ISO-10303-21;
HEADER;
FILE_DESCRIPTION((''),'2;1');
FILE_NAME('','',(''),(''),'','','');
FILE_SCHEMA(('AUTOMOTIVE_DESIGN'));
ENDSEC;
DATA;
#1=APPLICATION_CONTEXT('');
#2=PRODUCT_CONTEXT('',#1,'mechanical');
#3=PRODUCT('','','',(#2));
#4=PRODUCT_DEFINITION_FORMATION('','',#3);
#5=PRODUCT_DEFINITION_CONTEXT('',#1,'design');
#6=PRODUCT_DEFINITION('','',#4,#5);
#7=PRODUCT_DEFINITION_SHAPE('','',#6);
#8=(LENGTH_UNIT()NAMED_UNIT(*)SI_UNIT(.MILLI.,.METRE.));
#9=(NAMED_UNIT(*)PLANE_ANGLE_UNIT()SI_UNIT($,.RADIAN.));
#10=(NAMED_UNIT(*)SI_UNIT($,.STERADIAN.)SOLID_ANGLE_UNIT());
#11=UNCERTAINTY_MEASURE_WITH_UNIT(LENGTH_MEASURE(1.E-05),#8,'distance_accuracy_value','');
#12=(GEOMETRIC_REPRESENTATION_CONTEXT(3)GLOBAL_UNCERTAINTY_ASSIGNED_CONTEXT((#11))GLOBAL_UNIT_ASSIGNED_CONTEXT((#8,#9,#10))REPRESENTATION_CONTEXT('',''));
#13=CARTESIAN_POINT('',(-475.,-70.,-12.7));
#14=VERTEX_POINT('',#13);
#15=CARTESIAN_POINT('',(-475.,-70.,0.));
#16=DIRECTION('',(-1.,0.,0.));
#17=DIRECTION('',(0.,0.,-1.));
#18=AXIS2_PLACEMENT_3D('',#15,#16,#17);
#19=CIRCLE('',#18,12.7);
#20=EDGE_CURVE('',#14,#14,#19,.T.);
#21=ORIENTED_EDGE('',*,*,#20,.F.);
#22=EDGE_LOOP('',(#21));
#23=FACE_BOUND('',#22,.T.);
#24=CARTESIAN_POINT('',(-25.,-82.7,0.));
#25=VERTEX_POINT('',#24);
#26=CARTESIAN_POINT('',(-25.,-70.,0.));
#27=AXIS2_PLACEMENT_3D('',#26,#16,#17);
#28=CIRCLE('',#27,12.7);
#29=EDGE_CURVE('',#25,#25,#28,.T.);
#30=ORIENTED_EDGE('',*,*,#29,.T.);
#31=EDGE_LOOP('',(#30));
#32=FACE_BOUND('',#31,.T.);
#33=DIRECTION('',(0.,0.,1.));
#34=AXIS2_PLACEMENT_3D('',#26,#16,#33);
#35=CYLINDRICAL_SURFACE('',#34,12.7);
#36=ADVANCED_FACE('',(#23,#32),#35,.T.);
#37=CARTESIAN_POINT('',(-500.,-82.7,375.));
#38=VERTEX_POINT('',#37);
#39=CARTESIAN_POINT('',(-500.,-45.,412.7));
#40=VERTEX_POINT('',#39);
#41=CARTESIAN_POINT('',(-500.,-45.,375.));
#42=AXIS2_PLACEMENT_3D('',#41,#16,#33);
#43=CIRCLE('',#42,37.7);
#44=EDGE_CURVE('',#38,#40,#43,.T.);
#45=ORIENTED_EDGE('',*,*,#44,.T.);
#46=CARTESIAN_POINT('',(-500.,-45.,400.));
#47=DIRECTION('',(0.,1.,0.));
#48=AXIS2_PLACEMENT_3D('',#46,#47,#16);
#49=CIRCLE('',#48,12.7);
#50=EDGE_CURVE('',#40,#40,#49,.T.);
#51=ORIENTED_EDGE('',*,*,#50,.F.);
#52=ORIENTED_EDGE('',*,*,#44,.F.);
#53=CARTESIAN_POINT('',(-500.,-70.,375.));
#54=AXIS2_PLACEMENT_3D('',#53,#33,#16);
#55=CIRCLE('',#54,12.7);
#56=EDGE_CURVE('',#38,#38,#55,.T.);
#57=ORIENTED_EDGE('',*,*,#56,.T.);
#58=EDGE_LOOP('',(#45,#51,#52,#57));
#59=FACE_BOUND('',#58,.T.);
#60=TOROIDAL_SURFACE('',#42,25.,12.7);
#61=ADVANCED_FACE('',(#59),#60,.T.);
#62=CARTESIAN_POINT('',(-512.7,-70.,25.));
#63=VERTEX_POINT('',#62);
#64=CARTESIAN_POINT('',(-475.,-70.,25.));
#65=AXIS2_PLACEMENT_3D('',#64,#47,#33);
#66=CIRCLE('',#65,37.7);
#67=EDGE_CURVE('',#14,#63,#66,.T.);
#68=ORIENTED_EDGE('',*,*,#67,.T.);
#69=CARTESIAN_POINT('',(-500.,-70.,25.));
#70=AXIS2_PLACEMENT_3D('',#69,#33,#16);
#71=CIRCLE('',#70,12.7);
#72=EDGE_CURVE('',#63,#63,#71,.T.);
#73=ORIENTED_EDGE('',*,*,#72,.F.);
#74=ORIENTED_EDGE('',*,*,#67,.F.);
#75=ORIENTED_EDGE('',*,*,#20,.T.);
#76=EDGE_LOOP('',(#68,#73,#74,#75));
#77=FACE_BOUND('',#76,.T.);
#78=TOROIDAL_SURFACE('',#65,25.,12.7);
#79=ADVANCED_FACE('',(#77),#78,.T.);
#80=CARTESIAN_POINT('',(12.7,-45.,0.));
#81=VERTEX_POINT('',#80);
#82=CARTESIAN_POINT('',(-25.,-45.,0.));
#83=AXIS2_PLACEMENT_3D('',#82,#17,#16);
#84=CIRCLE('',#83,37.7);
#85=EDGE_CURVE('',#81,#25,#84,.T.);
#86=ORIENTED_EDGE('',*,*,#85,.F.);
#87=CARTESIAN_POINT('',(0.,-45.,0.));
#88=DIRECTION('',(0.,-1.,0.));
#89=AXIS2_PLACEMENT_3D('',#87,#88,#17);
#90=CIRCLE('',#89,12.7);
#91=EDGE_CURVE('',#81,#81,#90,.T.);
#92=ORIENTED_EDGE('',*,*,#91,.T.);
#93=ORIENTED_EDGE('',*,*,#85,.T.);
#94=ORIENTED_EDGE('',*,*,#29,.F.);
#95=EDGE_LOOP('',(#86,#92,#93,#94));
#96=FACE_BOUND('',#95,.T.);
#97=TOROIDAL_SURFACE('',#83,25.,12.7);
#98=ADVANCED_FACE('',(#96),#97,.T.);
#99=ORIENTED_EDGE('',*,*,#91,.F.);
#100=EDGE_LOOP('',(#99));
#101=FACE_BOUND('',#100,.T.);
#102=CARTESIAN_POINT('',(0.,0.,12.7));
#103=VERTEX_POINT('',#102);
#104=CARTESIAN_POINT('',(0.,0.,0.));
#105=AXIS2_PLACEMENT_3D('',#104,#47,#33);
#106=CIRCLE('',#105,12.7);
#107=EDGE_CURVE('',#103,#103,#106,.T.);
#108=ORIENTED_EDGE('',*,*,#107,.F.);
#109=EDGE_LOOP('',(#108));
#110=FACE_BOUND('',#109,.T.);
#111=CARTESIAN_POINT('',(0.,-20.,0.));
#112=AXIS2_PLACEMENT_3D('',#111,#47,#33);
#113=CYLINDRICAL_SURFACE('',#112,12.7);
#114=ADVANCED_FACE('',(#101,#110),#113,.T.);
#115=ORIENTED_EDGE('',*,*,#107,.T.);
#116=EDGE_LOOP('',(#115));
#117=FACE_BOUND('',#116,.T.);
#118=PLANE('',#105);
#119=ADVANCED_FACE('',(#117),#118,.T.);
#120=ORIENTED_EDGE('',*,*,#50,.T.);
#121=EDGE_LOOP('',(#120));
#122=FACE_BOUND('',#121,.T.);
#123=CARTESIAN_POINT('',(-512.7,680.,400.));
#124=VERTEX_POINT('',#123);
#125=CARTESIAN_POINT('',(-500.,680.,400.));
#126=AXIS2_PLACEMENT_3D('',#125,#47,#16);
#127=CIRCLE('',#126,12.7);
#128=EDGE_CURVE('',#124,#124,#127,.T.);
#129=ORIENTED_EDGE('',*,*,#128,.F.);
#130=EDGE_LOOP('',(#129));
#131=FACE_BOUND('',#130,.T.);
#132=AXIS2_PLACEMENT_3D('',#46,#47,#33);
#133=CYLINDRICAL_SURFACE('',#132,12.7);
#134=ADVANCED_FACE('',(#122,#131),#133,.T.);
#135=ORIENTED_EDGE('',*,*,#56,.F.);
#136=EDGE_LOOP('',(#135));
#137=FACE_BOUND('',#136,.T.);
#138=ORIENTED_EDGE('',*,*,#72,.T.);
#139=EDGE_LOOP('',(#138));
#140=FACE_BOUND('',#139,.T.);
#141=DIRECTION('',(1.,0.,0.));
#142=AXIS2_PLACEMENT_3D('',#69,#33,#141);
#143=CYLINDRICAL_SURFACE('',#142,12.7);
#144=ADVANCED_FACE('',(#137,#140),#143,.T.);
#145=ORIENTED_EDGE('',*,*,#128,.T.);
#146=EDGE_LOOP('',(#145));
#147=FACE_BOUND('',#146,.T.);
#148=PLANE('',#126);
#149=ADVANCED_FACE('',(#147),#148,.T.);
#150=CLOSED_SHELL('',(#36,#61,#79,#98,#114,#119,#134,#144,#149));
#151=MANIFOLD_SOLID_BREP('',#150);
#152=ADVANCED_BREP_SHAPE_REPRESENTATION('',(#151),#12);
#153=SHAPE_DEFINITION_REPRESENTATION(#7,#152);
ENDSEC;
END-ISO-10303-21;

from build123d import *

# Parameters (mm, degrees)
CROQUIS1_R              = 12.7
SALIENTE_EXTRUIR1_DEPTH = 20
CROQUIS2_R              = 12.7


with BuildPart() as part:
    # Croquis1 → Saliente-Extruir1 (new body)
    with BuildSketch(Plane(origin=(0, 0, 0), x_dir=(1, 0, 0), z_dir=(0, 1, 0))):
        with Locations(Location((0, 0, 0), (0, 0, 270))):
            Circle(CROQUIS1_R)
    extrude(amount=-SALIENTE_EXTRUIR1_DEPTH)

    # Barrer1: sweep along a curve in space
    with BuildLine() as barrer1_path:
        Line((0, -20, 0), (0, -45, 0))
        ThreePointArc((0, -45, 0), (-7.32233047, -62.67766953, 0), (-25, -70, 0))
        Line((-25, -70, 0), (-475, -70, 0))
        ThreePointArc((-475, -70, 0), (-492.67766953, -70, 7.32233047), (-500, -70, 25))
        Line((-500, -70, 25), (-500, -70, 375))
        ThreePointArc((-500, -70, 375), (-500, -62.67766953, 392.67766953), (-500, -45, 400))
        Line((-500, -45, 400), (-500, 680, 400))
    # Croquis2 → Barrer1 (sweep)
    with BuildSketch(Plane.XZ.offset(20)):
        Circle(CROQUIS2_R)
    sweep(path=barrer1_path.line)


solid = part.part
